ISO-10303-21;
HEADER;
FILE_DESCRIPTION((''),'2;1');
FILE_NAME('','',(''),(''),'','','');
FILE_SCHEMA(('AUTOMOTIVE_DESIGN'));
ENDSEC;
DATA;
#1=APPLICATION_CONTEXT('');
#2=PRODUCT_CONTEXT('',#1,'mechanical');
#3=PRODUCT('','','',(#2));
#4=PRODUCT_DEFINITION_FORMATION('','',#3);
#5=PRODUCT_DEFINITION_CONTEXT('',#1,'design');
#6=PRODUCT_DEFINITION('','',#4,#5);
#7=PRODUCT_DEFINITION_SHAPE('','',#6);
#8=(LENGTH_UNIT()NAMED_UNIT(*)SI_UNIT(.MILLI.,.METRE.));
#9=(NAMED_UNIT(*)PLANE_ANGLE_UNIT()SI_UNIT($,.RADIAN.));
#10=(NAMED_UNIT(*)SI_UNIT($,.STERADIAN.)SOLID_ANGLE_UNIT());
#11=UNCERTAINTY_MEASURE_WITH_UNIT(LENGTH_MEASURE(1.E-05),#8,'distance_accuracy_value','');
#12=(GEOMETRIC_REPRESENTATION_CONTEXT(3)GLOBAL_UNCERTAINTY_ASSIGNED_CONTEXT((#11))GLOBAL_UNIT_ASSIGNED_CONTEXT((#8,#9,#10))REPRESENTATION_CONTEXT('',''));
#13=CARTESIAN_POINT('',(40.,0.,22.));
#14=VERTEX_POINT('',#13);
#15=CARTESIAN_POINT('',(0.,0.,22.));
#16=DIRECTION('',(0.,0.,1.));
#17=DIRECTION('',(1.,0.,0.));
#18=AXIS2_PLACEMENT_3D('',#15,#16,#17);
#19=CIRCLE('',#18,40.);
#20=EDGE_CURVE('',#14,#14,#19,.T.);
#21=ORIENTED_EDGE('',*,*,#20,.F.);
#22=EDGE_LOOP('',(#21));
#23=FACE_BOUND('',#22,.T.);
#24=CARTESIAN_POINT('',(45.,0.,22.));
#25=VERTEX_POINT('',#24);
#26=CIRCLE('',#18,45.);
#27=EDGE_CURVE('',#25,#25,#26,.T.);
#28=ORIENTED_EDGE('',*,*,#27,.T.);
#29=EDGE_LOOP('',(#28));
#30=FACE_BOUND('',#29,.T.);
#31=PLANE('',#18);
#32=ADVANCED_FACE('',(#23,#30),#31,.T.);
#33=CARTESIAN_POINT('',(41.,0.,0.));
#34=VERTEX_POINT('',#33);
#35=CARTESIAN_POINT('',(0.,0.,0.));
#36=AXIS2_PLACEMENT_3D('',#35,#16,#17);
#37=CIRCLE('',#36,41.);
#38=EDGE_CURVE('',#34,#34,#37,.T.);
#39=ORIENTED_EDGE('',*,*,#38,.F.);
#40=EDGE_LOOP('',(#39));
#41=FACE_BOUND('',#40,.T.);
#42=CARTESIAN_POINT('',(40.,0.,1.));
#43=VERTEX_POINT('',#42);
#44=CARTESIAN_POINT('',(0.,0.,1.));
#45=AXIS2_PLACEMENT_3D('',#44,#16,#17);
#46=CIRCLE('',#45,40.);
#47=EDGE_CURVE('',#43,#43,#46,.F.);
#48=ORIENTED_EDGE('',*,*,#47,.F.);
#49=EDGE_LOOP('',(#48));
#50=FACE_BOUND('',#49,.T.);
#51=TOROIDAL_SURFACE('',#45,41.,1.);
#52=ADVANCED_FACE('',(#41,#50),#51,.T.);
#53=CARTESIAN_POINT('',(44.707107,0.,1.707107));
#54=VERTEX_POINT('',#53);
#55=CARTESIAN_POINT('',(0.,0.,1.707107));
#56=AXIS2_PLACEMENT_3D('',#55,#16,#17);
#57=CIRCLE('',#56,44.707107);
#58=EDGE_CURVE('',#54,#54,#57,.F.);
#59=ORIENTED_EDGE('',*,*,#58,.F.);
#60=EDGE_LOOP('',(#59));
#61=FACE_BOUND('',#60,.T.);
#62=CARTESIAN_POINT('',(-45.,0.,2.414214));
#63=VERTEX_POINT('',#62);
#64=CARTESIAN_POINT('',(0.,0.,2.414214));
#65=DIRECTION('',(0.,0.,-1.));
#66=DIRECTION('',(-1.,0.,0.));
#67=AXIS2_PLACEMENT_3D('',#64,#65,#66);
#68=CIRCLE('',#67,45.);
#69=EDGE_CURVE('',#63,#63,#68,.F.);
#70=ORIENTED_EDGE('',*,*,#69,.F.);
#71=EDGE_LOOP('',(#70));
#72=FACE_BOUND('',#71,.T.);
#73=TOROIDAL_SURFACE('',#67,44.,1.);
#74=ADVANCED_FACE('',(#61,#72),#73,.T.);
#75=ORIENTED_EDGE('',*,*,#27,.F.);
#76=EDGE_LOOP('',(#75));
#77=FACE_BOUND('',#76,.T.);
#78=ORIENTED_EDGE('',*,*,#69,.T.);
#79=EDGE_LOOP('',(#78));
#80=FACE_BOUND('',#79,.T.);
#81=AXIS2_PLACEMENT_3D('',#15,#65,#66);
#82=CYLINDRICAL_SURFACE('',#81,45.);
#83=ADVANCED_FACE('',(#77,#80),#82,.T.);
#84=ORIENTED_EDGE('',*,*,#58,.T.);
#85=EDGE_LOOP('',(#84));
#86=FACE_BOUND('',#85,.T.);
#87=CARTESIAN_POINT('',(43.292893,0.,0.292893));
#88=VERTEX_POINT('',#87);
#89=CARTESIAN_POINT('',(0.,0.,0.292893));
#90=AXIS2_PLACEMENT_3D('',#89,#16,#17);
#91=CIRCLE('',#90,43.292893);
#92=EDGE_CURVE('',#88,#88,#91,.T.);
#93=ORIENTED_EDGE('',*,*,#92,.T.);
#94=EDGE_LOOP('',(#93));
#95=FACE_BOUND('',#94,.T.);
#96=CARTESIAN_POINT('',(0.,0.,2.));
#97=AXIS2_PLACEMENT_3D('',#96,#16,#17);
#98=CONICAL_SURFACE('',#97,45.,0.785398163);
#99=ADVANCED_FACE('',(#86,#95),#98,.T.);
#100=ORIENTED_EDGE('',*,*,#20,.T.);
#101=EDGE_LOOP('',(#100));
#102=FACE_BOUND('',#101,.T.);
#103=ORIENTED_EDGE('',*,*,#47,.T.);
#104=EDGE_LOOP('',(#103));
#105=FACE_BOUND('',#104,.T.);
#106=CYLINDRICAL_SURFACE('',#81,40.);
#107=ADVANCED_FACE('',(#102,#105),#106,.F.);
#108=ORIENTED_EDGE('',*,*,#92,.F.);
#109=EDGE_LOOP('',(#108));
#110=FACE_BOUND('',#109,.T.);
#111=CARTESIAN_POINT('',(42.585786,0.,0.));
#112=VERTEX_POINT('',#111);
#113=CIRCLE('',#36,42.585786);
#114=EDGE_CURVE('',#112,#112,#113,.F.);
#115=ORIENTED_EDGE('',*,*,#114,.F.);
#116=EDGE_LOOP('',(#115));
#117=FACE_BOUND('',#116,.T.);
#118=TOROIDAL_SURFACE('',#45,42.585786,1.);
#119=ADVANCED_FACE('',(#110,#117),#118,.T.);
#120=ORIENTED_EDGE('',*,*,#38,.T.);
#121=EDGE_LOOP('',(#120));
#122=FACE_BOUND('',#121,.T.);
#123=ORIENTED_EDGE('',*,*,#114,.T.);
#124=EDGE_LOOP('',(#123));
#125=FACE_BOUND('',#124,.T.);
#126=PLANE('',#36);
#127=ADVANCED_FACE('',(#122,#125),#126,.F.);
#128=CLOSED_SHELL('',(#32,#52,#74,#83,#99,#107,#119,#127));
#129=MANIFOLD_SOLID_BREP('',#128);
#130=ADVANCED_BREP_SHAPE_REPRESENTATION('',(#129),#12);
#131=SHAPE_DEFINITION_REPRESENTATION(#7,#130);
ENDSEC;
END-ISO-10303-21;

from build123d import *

# Parameters (mm, degrees)
SKETCH1_R           = 45
SKETCH1_R_2         = 40
BOSS_EXTRUDE1_DEPTH = 22
CHAMFER1_SIZE       = 2
FILLET1_R           = 1


with BuildPart() as part:
    # Sketch1 → Boss-Extrude1 (new body)
    with BuildSketch(Plane.XY):
        Circle(SKETCH1_R)
        Circle(SKETCH1_R_2, mode=Mode.SUBTRACT)
    extrude(amount=BOSS_EXTRUDE1_DEPTH)

    # Chamfer1
    chamfer1_edges = [part.edges().sort_by_distance(p)[0] for p in [
        (-45, 0, 0),
    ]]
    chamfer(chamfer1_edges, length=CHAMFER1_SIZE)

    # Fillet1
    fillet1_edges = [part.edges().sort_by_distance(p)[0] for p in [
        (-45, 0, 2),
        (-43, 0, 0),
        (-40, 0, 0),
    ]]
    fillet(fillet1_edges, radius=FILLET1_R)


solid = part.part
